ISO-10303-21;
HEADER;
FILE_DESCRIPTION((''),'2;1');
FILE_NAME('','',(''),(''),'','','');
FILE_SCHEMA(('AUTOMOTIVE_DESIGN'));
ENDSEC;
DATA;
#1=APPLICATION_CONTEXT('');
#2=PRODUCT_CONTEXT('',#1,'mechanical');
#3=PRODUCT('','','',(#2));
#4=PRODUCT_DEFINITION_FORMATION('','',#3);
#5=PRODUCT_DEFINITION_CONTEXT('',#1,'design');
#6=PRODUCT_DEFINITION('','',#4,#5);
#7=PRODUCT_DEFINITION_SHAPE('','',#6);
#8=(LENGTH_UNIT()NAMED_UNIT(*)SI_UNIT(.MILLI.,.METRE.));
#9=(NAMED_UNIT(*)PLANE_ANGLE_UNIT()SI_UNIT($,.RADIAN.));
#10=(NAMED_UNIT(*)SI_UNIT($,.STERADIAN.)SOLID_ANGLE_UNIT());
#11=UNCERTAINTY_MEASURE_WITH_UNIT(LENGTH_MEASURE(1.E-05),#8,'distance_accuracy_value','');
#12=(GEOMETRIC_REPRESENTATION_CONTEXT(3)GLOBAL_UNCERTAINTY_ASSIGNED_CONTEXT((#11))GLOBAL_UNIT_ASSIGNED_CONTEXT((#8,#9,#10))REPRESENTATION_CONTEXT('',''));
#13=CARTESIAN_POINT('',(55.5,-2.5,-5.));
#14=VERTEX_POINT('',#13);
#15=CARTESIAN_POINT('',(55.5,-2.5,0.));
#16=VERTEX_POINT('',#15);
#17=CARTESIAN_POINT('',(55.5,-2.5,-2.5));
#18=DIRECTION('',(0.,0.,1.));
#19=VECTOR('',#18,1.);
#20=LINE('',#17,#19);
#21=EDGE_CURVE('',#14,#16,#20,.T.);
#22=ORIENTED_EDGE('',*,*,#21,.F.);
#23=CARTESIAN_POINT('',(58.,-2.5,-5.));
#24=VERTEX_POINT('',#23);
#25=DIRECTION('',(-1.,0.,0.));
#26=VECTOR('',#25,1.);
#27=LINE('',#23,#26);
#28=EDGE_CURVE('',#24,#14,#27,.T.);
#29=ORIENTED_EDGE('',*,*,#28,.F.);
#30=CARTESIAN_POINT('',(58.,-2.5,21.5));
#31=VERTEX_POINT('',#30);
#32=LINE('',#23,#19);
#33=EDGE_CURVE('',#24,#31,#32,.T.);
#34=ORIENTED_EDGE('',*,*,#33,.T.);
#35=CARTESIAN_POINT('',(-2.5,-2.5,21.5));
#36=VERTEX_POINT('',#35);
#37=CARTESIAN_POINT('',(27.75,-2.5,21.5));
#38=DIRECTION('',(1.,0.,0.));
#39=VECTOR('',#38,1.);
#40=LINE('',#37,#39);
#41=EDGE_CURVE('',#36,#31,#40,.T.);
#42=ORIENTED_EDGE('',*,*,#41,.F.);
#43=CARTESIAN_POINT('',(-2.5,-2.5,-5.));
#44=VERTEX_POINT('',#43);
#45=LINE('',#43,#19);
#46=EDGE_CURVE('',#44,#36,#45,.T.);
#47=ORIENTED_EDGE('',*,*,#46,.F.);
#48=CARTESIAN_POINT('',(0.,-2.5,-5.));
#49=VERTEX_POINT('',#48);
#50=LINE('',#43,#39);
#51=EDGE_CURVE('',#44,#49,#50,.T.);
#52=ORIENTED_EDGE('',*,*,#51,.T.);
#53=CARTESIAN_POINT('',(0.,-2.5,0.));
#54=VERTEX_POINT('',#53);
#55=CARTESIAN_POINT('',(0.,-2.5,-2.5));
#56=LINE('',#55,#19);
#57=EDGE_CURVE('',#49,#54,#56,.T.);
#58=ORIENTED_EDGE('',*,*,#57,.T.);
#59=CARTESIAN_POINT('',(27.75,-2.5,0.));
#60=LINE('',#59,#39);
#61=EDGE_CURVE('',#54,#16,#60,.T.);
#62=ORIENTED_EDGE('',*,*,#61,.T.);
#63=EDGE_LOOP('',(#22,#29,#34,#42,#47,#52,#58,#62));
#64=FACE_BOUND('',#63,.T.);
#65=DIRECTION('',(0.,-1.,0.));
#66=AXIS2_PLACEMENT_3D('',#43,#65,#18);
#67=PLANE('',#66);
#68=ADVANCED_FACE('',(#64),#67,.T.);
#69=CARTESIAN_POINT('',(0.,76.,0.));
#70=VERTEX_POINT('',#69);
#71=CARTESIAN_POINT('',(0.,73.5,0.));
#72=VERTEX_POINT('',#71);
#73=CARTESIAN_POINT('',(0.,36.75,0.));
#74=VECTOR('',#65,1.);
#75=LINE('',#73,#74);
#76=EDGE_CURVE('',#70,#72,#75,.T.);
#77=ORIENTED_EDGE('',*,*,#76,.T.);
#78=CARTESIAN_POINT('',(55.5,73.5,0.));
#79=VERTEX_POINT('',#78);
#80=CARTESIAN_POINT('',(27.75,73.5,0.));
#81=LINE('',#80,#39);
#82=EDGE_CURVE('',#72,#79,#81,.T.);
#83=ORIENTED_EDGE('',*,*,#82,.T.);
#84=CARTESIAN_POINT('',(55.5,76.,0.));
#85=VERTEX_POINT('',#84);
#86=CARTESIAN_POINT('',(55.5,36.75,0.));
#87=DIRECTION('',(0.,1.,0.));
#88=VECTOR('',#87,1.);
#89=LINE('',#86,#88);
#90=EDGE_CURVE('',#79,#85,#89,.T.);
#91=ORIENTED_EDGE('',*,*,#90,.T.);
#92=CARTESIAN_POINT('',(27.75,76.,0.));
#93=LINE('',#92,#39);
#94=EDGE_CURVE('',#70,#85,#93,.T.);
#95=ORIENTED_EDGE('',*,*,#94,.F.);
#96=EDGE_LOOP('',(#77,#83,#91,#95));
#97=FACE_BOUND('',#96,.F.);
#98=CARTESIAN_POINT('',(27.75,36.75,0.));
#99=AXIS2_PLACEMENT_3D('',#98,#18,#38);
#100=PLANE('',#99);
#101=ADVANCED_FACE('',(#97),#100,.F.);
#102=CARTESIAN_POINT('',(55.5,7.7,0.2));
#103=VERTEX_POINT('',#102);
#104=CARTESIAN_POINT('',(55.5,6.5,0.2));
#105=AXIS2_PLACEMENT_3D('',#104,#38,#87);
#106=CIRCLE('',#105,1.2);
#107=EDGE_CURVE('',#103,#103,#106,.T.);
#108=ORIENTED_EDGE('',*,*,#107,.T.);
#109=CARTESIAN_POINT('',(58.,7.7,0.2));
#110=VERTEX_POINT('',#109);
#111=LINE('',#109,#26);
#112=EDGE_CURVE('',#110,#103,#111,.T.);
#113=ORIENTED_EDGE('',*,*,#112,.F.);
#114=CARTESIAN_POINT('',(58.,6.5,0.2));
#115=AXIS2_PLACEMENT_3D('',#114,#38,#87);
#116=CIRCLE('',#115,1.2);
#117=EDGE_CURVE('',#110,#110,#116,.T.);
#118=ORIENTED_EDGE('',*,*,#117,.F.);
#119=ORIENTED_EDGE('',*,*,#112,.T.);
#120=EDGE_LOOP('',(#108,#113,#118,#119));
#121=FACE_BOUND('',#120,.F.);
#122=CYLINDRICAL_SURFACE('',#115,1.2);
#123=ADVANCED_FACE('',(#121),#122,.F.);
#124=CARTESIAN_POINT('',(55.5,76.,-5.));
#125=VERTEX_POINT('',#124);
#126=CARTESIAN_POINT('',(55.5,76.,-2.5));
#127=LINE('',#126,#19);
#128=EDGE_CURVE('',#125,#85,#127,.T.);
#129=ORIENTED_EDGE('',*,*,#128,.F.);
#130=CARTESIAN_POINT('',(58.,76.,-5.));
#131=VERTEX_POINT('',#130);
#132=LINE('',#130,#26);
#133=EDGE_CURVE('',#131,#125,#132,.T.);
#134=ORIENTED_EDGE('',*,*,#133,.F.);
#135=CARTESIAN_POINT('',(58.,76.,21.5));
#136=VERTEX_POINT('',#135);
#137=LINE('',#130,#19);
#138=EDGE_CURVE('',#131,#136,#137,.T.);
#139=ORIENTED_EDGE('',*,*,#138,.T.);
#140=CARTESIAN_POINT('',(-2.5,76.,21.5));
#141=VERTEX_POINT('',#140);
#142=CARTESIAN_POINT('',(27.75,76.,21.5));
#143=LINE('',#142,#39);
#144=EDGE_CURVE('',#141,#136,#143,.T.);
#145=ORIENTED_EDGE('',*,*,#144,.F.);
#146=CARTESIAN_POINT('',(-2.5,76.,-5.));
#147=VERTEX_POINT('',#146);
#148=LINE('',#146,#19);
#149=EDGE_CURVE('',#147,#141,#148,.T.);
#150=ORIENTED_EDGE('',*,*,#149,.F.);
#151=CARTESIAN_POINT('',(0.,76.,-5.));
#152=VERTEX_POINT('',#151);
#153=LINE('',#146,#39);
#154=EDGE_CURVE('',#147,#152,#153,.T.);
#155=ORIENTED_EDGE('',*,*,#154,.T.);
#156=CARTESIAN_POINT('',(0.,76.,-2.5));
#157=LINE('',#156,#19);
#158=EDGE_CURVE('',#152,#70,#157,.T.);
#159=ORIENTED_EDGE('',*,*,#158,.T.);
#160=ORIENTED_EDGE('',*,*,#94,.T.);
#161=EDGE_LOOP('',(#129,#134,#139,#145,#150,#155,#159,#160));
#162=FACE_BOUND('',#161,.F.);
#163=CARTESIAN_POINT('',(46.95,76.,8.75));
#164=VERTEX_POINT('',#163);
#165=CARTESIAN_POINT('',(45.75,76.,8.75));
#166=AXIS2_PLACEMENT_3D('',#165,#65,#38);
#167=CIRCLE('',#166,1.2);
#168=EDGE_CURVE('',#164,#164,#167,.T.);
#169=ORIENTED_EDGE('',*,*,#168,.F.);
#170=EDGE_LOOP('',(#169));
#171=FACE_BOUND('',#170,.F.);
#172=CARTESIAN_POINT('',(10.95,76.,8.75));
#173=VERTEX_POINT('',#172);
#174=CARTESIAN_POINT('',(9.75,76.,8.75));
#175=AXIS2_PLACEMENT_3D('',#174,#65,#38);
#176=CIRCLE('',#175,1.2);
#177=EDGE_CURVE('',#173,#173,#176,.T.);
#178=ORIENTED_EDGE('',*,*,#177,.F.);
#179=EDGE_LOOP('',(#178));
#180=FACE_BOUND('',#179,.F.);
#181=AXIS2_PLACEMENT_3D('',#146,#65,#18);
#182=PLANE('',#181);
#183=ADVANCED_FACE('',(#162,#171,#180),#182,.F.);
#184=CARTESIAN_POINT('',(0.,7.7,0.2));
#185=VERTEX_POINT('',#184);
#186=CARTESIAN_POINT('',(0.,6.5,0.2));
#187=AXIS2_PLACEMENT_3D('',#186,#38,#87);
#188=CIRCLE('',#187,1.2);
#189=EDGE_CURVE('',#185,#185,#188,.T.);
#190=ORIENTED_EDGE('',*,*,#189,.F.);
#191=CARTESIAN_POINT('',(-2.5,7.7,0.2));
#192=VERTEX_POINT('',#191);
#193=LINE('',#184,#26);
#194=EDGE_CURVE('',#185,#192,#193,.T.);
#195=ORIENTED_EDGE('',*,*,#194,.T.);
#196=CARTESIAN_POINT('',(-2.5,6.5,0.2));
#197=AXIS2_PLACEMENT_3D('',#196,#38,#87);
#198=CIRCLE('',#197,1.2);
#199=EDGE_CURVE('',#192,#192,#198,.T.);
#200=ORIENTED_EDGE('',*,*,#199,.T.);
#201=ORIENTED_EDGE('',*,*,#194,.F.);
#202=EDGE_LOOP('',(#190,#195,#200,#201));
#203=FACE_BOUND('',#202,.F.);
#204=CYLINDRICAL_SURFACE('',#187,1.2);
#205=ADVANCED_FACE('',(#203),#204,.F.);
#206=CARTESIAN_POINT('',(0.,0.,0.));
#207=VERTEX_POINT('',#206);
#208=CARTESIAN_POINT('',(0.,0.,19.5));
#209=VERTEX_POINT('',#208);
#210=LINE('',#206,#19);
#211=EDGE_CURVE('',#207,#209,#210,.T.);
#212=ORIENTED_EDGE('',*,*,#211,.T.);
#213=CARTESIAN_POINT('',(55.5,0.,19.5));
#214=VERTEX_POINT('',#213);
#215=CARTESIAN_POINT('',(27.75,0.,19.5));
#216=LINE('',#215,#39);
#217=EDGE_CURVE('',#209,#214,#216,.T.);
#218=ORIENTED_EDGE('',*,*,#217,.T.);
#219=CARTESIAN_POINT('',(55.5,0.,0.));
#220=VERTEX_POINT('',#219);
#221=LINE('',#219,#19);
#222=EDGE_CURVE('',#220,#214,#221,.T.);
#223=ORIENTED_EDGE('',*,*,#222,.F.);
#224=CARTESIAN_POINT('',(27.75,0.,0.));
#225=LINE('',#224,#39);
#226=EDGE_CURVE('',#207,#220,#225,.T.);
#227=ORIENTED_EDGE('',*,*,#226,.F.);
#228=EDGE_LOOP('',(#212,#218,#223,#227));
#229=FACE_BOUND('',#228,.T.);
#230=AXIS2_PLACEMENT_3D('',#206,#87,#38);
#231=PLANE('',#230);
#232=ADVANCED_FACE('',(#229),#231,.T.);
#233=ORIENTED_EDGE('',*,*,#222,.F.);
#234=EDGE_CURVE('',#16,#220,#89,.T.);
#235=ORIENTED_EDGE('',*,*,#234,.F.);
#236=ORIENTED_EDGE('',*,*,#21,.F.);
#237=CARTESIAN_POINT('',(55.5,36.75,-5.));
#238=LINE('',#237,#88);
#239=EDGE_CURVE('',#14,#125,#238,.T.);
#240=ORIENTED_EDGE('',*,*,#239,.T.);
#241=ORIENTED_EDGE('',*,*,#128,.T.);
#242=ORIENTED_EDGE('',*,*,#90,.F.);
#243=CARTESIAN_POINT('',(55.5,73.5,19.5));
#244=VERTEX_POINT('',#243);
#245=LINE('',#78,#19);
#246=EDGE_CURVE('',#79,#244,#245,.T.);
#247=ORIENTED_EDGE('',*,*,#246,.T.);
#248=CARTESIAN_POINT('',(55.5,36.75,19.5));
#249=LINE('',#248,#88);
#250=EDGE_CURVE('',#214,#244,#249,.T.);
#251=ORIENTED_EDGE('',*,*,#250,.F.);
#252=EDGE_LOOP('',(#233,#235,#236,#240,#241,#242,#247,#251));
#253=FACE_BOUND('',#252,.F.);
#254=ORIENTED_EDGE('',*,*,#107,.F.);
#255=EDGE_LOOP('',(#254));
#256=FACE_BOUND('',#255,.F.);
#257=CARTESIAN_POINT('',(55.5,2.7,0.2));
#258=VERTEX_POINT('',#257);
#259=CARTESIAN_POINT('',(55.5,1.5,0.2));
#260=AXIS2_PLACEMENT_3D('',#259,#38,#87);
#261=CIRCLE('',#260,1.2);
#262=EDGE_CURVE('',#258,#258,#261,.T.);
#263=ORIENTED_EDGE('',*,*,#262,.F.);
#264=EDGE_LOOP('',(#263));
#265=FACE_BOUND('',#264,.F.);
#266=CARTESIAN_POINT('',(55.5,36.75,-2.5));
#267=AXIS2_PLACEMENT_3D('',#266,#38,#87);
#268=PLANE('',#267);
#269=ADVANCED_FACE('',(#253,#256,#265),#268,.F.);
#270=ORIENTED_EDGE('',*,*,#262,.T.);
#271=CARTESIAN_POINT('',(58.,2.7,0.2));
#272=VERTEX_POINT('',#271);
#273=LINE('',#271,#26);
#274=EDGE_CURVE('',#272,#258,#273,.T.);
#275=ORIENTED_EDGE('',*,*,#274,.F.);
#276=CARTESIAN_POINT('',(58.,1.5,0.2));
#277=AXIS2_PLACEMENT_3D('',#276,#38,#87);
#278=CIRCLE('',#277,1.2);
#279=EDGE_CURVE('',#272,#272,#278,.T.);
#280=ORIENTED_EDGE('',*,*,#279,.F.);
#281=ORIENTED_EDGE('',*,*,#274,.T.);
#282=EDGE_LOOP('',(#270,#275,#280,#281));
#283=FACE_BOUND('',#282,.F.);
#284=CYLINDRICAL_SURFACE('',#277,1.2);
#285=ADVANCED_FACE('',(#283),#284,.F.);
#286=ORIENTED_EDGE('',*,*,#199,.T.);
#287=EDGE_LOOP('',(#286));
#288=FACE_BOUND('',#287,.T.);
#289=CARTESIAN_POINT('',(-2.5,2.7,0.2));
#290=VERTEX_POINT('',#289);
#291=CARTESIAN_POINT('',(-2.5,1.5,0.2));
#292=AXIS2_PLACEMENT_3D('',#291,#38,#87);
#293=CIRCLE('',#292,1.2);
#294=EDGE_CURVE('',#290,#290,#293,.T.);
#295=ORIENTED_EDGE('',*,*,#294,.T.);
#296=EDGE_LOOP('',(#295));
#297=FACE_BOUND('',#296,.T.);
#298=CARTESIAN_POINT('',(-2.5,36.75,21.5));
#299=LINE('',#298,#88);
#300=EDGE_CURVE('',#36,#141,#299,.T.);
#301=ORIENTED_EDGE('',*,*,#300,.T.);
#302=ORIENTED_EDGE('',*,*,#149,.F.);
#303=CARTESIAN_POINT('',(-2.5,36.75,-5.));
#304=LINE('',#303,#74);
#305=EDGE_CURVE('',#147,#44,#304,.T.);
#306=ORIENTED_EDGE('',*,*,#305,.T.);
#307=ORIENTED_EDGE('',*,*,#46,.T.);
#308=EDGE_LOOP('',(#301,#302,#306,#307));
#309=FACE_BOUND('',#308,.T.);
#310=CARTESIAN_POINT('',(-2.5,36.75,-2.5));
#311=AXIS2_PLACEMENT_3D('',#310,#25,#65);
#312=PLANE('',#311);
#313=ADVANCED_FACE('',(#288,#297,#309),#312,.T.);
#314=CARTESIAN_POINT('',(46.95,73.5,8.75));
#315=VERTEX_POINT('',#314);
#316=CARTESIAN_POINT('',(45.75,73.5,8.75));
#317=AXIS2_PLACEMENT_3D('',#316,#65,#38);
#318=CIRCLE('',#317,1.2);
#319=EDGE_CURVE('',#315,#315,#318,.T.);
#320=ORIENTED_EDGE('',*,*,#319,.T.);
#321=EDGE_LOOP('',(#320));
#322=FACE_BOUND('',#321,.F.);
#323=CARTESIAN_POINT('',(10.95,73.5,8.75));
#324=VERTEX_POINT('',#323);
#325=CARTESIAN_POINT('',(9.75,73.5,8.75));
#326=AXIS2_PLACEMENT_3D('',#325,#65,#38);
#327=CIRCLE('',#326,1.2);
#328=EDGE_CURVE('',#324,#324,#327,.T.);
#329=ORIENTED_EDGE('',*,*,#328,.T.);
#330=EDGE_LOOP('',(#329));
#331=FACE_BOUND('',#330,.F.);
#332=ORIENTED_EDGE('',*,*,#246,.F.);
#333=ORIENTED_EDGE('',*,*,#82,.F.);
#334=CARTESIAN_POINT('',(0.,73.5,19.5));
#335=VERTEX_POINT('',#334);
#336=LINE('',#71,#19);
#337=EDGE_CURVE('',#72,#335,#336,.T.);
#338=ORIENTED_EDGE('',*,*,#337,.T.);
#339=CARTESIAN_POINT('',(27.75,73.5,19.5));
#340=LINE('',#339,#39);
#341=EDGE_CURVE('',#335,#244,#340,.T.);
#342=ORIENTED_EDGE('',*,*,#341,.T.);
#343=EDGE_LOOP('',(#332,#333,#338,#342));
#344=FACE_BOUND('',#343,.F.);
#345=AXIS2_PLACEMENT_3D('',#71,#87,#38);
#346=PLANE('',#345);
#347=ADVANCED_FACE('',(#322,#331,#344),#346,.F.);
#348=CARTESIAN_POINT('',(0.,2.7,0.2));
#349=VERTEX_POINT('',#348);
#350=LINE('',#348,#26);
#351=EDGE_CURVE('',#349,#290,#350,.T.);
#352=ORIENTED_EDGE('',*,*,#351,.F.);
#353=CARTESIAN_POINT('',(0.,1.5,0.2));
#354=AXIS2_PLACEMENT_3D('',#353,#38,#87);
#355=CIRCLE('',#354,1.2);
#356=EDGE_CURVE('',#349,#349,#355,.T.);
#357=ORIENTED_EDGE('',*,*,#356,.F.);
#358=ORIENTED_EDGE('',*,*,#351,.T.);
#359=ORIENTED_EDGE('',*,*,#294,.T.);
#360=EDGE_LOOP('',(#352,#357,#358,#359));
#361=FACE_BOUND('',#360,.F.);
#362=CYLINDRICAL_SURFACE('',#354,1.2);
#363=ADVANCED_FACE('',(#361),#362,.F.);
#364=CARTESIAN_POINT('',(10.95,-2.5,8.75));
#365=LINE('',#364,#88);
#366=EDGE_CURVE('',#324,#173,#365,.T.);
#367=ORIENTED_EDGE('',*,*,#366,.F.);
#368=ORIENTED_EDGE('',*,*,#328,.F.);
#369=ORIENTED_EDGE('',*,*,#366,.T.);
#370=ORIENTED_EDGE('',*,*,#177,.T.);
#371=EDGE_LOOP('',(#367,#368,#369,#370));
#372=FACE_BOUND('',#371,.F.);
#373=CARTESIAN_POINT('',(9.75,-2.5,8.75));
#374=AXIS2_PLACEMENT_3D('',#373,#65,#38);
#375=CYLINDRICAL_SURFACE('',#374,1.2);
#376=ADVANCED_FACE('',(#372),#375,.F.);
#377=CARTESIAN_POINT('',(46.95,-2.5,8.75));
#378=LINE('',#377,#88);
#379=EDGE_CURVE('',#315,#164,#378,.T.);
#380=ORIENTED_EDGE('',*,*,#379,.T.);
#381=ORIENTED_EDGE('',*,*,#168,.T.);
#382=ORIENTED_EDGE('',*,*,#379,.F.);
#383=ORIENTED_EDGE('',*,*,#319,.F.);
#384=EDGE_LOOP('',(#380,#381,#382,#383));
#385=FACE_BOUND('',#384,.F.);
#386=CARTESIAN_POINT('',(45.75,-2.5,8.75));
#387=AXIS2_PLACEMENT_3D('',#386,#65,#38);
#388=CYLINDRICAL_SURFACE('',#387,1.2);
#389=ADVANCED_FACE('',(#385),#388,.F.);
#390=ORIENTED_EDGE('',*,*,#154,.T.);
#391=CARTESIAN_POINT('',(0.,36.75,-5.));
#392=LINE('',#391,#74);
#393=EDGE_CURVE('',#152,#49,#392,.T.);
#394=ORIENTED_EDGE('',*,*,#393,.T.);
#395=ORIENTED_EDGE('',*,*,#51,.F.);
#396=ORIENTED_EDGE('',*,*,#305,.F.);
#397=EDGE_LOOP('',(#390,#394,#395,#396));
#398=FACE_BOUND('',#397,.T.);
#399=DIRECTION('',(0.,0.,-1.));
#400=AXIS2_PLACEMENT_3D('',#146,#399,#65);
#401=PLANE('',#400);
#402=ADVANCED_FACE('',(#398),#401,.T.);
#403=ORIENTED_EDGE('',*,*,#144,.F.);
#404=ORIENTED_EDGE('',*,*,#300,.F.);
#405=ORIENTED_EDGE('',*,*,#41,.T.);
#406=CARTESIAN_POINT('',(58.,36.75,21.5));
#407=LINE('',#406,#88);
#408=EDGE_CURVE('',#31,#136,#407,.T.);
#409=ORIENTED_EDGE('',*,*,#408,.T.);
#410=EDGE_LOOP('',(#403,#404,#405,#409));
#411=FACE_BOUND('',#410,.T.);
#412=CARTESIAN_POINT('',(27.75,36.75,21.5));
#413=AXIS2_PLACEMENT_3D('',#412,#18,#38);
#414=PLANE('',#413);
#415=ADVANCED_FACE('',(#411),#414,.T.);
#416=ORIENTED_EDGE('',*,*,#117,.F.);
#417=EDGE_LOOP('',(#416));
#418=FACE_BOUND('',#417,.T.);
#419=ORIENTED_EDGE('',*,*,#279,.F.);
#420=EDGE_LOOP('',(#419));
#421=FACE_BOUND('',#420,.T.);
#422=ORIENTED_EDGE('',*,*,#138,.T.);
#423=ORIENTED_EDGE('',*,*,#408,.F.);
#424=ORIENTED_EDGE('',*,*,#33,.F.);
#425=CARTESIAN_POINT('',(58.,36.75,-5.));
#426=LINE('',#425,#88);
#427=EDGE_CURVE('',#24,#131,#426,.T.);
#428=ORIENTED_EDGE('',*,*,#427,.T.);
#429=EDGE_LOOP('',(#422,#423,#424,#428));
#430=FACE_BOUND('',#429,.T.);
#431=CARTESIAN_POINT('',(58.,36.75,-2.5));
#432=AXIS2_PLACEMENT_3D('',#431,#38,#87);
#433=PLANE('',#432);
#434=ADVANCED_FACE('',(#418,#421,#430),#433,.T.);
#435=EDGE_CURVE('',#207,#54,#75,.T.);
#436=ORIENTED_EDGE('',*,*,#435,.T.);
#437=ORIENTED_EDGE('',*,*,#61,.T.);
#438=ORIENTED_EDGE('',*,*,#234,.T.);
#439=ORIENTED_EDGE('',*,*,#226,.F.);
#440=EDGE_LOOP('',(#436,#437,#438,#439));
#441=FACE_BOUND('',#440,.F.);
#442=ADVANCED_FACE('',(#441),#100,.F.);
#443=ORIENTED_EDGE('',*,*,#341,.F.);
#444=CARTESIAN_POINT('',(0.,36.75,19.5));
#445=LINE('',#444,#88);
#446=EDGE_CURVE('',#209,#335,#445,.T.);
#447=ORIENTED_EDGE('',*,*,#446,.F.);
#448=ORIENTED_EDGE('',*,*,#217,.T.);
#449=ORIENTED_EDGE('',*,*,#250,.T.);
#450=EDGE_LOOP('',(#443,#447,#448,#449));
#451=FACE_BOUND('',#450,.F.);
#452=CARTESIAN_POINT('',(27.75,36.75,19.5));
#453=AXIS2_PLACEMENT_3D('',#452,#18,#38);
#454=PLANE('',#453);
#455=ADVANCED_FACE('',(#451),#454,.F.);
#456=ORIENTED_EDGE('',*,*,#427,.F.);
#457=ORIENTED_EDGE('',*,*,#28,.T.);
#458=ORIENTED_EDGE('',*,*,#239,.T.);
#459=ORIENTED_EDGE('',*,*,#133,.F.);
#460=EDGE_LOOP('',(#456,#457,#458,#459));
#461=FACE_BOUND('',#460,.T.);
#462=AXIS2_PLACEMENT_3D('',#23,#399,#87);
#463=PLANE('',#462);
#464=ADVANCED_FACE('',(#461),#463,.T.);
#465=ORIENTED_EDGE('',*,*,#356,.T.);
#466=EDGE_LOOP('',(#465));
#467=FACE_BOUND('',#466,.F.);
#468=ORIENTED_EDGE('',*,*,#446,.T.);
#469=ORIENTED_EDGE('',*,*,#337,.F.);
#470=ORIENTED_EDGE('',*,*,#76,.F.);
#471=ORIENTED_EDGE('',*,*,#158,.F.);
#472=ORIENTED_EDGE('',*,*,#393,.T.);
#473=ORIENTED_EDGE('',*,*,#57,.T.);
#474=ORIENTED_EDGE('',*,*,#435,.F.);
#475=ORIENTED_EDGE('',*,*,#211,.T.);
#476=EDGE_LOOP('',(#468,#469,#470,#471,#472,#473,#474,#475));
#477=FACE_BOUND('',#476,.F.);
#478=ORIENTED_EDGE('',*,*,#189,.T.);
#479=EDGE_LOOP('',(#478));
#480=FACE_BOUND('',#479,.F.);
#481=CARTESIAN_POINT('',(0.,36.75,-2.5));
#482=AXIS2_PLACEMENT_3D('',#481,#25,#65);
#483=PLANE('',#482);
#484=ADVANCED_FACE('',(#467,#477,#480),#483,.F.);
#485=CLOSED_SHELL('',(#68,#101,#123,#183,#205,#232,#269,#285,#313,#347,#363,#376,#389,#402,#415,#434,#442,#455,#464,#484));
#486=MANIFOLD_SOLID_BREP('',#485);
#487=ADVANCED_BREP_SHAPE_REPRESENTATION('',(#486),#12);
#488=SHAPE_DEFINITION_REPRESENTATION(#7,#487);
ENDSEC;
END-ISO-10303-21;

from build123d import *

# Parameters (mm, degrees)
F1_W      = 60.5
F1_H      = 78.5
F2_DEPTH  = 21.5
F0_W      = 55.5
F0_H      = 73.5
F3_DEPTH  = 19.5
F4_W      = 78.5
F4_H      = 5
F5_DEPTH  = 2.5
F6_R      = 1.2
F7_DEPTH  = 25
F8_W      = 78.5
F8_H      = 5
F9_DEPTH  = 2.5
F10_R     = 1.2
F11_DEPTH = 25
F12_R     = 1.2
F13_DEPTH = 80
F14_W     = 44.0962035209
F14_H     = 7.4383728206
F15_DEPTH = 2.5


with BuildPart() as f2:
    # F1 (on Top) → F2 (new body)
    with BuildSketch(Plane.XY):
        with Locations((27.75, 36.75)):
            Rectangle(F1_W, F1_H)
    extrude(amount=F2_DEPTH)

    # F0 (on Top) → F3 (cut)
    with BuildSketch(Plane.XY):
        with Locations((27.75, 36.75)):
            Rectangle(F0_W, F0_H)
    extrude(amount=F3_DEPTH, mode=Mode.SUBTRACT)

    # F4 (on face) → F5 (join, through all)
    with BuildSketch(Plane.YZ.offset(58)):
        with Locations((36.75, -2.5)):
            Rectangle(F4_W, F4_H)
    extrude(amount=-F5_DEPTH)

    # F6 (on face) → F7 (cut)
    with BuildSketch(Plane.YZ.offset(58)):
        with Locations((1.5, 0.2)):
            Circle(F6_R)
        with Locations((6.5, 0.2)):
            Circle(F6_R)
    extrude(amount=-F7_DEPTH, mode=Mode.SUBTRACT)

    # F8 (on face) → F9 (join, through all)
    with BuildSketch(Plane(origin=(-2.5, 0, 0), x_dir=(0, -1, 0), z_dir=(-1, 0, 0))):
        with Locations((-36.75, -2.5)):
            Rectangle(F8_W, F8_H)
    extrude(amount=-F9_DEPTH)

    # F10 (on Right) → F11 (cut)
    with BuildSketch(Plane.YZ):
        with Locations((1.5, 0.2)):
            Circle(F10_R)
        with Locations((6.5, 0.2)):
            Circle(F10_R)
    extrude(amount=-F11_DEPTH, mode=Mode.SUBTRACT)

    # F12 (on face) → F13 (cut)
    with BuildSketch(Plane.XZ.offset(2.5)):
        with Locations((9.75, 8.75)):
            Circle(F12_R)
        with Locations((45.75, 8.75)):
            Circle(F12_R)
    extrude(amount=-F13_DEPTH, mode=Mode.SUBTRACT)

    # F14 (on face) → F15 (join, through all)
    with BuildSketch(Plane.XZ.offset(2.5)):
        with Locations((27.1060718223, 8.4709739313)):
            Rectangle(F14_W, F14_H)
    extrude(amount=-F15_DEPTH)


solid = f2.part
